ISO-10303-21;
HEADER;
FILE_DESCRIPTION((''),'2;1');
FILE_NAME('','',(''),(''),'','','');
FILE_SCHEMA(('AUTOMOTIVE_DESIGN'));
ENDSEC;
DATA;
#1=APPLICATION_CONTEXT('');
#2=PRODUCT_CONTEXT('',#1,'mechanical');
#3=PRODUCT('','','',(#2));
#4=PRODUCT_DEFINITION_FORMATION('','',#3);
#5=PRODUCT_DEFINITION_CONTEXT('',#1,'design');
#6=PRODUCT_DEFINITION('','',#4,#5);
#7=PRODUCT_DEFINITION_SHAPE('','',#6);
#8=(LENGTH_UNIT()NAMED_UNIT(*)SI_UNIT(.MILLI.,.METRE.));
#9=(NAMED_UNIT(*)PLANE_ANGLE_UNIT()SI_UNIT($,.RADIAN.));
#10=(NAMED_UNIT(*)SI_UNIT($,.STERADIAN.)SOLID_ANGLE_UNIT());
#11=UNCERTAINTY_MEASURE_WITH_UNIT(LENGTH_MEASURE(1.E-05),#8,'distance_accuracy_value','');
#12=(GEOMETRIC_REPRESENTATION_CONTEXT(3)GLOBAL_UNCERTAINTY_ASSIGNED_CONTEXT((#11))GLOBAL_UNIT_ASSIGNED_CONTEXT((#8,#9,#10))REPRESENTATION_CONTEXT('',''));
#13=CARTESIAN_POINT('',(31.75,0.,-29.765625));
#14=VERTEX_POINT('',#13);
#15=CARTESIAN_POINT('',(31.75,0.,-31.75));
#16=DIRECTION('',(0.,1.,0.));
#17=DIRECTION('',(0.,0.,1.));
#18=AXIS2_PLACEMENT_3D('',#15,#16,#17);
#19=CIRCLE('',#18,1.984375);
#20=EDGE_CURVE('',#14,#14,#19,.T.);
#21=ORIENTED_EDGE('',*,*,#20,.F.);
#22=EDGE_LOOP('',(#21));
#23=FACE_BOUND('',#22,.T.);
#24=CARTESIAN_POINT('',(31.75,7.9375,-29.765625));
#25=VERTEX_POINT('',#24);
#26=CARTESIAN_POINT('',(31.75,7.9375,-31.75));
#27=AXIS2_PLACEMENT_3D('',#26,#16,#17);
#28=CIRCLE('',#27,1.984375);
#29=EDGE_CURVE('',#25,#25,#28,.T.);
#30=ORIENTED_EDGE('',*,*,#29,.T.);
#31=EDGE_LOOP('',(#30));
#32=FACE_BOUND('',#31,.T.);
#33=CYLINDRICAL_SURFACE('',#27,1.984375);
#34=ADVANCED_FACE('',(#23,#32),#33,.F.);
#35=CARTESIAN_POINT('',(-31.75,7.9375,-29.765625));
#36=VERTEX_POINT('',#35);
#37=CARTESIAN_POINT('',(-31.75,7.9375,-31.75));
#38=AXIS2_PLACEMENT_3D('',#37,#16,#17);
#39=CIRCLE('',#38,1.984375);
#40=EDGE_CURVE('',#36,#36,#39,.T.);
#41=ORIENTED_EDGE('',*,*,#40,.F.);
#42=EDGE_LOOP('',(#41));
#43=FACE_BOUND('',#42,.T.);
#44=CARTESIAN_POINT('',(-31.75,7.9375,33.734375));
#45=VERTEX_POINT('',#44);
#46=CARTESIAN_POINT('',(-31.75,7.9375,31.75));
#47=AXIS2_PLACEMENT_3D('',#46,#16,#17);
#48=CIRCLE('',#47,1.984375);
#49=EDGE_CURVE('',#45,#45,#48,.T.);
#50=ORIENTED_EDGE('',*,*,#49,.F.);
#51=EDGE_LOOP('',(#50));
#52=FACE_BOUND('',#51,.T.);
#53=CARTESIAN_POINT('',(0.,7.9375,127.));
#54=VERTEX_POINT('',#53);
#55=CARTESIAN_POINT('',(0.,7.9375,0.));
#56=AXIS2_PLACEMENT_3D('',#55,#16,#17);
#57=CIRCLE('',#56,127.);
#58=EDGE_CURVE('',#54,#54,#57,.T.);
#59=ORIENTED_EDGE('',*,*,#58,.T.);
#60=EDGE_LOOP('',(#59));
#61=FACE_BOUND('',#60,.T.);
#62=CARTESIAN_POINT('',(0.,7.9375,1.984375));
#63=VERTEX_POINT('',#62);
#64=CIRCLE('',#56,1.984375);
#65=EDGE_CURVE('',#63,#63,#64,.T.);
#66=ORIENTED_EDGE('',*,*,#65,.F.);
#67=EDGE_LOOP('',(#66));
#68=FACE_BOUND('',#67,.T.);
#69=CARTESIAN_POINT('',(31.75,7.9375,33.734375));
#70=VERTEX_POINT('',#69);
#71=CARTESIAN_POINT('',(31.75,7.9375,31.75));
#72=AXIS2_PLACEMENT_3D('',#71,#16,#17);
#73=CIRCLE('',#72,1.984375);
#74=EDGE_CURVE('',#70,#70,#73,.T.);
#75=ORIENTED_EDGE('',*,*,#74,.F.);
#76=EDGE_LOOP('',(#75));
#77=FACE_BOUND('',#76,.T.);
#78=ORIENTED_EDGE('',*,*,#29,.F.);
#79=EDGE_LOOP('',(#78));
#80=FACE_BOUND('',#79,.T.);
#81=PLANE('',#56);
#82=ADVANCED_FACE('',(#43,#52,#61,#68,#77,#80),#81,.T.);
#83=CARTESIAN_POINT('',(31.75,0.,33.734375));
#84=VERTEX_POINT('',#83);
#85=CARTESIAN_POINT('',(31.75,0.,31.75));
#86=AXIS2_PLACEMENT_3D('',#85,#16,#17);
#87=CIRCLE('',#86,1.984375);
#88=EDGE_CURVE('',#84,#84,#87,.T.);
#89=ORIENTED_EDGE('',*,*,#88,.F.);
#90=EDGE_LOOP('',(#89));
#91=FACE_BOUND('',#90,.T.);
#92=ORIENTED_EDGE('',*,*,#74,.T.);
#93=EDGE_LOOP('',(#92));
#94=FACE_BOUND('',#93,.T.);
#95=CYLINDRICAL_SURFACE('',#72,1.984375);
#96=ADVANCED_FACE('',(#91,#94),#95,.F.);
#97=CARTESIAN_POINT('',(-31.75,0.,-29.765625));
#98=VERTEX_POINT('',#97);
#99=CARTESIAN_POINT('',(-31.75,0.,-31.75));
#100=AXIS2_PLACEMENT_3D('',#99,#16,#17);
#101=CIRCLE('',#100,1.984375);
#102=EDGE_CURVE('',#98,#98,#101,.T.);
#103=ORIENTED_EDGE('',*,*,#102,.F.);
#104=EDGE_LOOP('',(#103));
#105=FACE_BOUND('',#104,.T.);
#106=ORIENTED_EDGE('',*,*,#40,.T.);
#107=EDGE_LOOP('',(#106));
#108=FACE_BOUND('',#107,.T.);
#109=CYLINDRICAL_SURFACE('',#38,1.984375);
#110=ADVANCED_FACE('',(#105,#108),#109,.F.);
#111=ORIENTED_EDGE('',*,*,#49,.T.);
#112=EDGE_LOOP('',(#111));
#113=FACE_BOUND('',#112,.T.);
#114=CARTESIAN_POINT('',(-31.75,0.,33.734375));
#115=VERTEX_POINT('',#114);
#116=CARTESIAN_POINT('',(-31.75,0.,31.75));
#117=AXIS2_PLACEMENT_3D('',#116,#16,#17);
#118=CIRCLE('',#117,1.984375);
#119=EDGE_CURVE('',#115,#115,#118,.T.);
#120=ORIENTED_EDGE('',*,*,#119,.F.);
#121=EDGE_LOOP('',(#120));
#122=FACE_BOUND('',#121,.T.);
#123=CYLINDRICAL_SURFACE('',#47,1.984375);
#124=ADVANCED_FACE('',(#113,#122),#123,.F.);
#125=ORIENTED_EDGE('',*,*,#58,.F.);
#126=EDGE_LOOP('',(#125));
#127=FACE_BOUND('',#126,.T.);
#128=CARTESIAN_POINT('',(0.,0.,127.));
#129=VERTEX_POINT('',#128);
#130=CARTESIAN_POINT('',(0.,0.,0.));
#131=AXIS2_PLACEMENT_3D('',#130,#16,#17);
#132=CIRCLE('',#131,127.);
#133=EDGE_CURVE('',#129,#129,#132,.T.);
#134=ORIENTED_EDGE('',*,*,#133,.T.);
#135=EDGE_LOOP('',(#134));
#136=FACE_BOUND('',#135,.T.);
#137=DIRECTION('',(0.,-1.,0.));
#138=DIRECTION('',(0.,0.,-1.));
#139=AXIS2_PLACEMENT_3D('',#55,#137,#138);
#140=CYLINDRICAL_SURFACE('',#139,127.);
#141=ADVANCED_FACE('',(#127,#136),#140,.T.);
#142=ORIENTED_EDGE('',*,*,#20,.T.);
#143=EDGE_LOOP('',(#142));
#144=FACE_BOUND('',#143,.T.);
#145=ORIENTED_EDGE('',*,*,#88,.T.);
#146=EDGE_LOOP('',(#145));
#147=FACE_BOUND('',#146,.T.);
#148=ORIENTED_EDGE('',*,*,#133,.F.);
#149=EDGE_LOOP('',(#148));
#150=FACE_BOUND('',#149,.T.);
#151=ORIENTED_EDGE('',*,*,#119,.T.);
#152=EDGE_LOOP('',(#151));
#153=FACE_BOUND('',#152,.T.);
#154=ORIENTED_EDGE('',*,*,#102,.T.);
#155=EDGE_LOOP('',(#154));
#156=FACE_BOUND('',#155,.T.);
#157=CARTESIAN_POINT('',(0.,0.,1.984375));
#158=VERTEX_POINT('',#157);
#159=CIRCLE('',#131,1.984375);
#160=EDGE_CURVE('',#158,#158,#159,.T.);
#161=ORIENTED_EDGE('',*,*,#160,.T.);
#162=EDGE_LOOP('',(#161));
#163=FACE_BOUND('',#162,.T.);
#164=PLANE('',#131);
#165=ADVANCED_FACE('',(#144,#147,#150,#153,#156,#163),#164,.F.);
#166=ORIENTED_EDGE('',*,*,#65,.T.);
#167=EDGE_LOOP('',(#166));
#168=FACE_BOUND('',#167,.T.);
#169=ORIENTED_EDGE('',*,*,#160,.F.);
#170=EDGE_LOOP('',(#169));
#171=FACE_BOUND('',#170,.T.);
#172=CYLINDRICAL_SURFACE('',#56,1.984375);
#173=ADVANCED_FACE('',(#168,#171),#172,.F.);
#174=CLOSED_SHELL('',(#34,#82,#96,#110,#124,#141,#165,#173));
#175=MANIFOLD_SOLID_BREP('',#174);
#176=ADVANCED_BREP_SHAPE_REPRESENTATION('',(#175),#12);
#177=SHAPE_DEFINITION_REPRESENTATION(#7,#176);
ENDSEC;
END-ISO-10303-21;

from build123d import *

# Parameters (mm, degrees)
SKETCH1_R                       = 127
BOSS_EXTRUDE1_DEPTH             = 7.9375
F_5_32_0_15625_DIAMETER_HOLE2_D = 3.96875


with BuildPart() as part:
    # Sketch1 → Boss-Extrude1 (new body)
    with BuildSketch(Plane(origin=(0, 0, 0), x_dir=(1, 0, 0), z_dir=(0, 1, 0))):
        with Locations(Location((0, 0, 0), (0, 0, 270))):
            Circle(SKETCH1_R)
    extrude(amount=BOSS_EXTRUDE1_DEPTH)

    # 5/32 (0.15625) Diameter Hole2 (through all)
    with Locations(Plane(origin=(0, 7.9375, 0), x_dir=(1, 0, 0), z_dir=(0, 1, 0))):
        with Locations((31.75, 31.75), (-31.75, -31.75), (-31.75, 31.75), (31.75, -31.75), (0, 0)):
            Hole(F_5_32_0_15625_DIAMETER_HOLE2_D / 2)


solid = part.part
